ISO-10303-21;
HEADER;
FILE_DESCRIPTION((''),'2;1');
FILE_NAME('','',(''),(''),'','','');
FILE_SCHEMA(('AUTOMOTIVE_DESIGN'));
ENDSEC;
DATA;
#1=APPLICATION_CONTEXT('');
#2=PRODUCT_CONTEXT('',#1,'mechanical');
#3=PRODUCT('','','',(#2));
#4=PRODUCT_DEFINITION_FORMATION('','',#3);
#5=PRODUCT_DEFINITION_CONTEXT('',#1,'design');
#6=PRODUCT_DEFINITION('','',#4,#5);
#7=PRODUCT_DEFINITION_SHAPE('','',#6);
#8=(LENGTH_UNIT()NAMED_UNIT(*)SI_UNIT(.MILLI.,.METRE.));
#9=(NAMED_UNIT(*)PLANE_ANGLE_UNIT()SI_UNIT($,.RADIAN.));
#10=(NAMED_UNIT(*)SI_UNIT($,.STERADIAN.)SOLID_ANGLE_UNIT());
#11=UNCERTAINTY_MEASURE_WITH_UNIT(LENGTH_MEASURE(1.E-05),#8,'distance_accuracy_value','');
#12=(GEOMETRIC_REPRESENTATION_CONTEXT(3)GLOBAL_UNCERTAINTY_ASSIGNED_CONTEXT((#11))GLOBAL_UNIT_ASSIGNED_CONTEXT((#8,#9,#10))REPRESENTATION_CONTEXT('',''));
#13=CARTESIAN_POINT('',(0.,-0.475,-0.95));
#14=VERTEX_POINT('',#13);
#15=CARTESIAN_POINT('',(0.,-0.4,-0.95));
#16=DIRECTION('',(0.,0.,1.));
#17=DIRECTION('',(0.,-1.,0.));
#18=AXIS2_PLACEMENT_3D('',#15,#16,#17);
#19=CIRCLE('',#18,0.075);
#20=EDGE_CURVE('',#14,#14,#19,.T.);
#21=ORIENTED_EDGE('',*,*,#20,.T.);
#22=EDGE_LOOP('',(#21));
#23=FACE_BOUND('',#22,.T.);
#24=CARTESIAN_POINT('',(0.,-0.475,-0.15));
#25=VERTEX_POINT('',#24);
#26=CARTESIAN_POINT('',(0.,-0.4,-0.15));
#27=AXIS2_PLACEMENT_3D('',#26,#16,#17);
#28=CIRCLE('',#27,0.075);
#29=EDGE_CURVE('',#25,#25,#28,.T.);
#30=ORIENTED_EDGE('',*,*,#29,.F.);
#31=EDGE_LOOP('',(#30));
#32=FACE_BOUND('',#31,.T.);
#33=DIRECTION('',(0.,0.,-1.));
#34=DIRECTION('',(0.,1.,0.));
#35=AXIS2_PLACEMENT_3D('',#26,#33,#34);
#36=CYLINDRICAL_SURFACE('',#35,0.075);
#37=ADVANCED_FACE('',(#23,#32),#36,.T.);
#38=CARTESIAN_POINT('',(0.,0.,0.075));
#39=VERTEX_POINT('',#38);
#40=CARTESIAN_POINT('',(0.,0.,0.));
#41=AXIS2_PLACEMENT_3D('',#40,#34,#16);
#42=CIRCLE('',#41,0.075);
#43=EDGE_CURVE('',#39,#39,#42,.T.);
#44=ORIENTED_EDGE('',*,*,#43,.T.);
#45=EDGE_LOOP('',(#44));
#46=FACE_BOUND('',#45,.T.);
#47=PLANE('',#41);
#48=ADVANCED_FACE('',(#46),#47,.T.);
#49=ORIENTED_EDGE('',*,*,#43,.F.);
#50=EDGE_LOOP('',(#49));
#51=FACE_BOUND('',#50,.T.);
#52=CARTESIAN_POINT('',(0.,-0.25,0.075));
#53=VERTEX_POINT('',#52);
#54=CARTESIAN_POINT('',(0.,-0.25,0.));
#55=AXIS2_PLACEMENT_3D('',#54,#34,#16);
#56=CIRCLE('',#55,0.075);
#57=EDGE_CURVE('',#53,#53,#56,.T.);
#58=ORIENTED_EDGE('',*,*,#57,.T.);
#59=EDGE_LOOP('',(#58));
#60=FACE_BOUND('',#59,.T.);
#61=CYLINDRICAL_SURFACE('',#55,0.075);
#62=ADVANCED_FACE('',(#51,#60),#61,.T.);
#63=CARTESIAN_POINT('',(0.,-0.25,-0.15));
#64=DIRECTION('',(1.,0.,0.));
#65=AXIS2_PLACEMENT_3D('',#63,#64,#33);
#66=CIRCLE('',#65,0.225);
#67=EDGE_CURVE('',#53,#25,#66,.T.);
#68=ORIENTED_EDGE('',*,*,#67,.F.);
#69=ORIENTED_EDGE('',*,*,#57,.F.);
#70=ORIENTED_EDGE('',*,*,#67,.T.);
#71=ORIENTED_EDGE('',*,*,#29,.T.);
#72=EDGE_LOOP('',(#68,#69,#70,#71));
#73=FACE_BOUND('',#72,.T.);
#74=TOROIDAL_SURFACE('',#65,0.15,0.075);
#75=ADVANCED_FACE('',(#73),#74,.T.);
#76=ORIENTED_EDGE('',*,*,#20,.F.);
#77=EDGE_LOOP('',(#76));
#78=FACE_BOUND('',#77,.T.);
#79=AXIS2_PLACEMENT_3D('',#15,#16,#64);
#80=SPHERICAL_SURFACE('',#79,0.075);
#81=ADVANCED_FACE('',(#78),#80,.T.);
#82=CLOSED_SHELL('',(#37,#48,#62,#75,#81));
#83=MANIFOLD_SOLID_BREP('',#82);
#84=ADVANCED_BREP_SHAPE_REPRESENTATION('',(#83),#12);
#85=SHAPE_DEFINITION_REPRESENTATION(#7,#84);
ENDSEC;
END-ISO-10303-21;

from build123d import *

# Parameters (mm, degrees)
CROQUIS2_R          = 0.075
C_PULA1_FACE_RADIUS = 0.075
C_PULA1_HEIGHT      = 0.075


with BuildPart() as part:
    # Barrer1: sweep along a path in Croquis1
    with BuildLine(Plane(origin=(0, 0, 0), x_dir=(0, 0, -1), z_dir=(1, 0, 0))) as barrer1_path:
        Line((0, 0), (0, -0.25))
        ThreePointArc((0, -0.25), (0.043933983, -0.356066017), (0.15, -0.4))
        Line((0.15, -0.4), (0.95, -0.4))
    # Croquis2 → Barrer1 (sweep)
    with BuildSketch(Plane(origin=(0, 0, 0), x_dir=(1, 0, 0), z_dir=(0, 1, 0))):
        Circle(CROQUIS2_R)
    sweep(path=barrer1_path.line)

    # Cúpula1: a dome of height H over a round flat face of radius A is a cap of a sphere of radius (A * A + H * H) / (2 * H)
    c_pula1_r = (C_PULA1_FACE_RADIUS * C_PULA1_FACE_RADIUS + C_PULA1_HEIGHT * C_PULA1_HEIGHT) / (2 * C_PULA1_HEIGHT)
    c_pula1_base = Plane((0, -0.4, -0.95), z_dir=(0, 0, -1))
    with Locations(c_pula1_base.offset(C_PULA1_HEIGHT - c_pula1_r)):
        c_pula1_ball = Sphere(c_pula1_r, mode=Mode.PRIVATE)
    add(split(c_pula1_ball, bisect_by=c_pula1_base, keep=Keep.TOP, mode=Mode.PRIVATE))


solid = part.part
